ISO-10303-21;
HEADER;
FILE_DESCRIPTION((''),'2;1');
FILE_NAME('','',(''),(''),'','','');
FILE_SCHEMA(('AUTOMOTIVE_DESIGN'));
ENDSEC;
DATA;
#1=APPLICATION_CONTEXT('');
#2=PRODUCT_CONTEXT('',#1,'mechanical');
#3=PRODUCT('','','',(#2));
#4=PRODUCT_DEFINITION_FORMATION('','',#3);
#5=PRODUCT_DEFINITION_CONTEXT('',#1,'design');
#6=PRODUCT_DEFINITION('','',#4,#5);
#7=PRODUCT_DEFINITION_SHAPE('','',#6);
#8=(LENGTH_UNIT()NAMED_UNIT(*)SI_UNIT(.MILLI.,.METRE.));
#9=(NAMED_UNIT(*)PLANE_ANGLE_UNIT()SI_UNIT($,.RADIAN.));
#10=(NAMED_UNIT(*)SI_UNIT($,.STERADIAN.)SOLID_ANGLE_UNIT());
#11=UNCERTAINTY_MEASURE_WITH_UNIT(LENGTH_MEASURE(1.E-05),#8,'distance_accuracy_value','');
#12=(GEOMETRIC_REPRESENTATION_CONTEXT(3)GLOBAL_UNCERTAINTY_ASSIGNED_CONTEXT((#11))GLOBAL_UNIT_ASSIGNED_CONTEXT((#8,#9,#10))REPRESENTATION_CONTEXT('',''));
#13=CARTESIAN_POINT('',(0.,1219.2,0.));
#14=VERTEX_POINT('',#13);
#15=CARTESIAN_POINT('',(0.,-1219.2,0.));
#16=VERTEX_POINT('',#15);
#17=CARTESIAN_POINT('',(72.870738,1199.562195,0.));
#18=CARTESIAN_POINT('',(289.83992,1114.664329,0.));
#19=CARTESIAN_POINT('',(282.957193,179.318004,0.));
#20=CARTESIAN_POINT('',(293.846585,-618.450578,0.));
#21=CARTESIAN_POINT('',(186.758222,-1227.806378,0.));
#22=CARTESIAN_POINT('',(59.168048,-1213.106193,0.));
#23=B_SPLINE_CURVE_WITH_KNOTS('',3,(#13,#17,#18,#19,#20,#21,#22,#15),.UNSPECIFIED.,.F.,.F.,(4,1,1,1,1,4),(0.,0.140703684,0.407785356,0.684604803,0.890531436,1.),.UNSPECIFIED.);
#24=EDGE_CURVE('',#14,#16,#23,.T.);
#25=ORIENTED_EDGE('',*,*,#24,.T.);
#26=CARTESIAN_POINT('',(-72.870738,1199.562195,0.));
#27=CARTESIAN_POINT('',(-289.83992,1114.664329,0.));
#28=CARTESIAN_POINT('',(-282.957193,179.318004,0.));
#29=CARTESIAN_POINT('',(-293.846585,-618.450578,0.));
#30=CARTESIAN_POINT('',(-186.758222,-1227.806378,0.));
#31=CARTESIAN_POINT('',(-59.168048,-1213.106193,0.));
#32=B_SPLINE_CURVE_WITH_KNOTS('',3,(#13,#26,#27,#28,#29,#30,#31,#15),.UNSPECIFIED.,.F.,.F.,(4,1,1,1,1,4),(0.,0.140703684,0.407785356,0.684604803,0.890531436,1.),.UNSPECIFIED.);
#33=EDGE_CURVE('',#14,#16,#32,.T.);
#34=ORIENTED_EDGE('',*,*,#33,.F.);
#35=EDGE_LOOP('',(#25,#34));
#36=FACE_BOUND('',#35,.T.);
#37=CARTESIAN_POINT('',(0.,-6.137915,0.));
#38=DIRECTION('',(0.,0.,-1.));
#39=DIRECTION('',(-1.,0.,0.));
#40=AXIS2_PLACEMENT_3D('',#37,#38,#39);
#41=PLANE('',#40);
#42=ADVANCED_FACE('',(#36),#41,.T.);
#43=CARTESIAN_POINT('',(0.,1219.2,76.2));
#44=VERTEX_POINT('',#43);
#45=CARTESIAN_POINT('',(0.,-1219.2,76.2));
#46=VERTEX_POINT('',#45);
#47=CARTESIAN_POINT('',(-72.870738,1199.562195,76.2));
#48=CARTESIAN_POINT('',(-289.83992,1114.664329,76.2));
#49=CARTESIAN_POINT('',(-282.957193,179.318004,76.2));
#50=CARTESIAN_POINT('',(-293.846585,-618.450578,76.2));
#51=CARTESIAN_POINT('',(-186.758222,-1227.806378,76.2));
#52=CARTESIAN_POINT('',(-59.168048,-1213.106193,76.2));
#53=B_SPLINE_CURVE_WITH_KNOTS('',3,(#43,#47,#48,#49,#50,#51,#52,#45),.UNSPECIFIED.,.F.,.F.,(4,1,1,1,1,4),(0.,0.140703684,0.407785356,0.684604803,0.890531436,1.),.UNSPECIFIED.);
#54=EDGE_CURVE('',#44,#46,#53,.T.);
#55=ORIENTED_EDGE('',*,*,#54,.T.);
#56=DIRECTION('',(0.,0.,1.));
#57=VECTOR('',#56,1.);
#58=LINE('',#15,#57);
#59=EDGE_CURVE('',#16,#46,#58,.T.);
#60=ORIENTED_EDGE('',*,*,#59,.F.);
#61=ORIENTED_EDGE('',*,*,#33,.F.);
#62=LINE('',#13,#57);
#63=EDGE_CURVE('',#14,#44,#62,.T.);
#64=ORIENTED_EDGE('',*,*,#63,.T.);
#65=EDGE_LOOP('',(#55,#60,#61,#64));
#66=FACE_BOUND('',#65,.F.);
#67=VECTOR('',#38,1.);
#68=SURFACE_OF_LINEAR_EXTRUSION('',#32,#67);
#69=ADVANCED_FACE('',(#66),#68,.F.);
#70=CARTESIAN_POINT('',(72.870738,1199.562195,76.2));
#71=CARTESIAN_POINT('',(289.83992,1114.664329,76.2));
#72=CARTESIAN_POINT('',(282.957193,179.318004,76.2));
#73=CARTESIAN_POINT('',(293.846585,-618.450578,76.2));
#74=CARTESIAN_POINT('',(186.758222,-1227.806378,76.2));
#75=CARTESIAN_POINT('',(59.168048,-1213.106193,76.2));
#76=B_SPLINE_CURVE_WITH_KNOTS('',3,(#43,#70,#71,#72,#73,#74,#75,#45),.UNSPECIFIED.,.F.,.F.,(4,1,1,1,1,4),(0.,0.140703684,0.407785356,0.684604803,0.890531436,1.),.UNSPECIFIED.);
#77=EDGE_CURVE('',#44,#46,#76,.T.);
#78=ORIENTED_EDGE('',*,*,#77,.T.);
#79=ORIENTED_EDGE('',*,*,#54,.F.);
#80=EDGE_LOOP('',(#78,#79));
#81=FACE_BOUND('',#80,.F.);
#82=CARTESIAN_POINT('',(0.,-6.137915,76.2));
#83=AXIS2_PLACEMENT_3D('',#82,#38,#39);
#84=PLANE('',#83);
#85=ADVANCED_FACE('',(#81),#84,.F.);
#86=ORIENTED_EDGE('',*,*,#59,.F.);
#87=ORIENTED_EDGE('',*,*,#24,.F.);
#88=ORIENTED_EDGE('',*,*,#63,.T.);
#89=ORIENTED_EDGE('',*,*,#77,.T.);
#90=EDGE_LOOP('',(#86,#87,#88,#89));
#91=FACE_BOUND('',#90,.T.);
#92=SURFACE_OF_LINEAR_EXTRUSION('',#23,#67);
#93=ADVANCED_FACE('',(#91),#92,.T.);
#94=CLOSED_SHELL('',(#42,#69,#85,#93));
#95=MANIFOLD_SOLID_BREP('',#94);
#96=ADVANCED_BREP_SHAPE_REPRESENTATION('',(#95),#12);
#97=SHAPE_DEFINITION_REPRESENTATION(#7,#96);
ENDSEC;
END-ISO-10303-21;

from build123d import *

# Parameters (mm, degrees)
F1_DEPTH = 76.2


with BuildPart() as f1:
    # F0 (on Top) → F1 (new body)
    with BuildSketch(Plane.XY):
        with BuildLine():
            add(Edge.make_bspline(
                [(0, 1219.2), (72.8707380521, 1199.5621951725), (289.8399203557, 1114.6643286049), (282.9571928177, 179.3180044201), (293.8465848779, -618.4505783151), (186.758222297, -1227.8063780003), (59.1680483197, -1213.1061934731), (0, -1219.2)],
                knots=[0, 0, 0, 0, 0.1407036843, 0.4077853565, 0.6846048032, 0.8905314359, 1, 1, 1, 1], degree=3))
            add(Edge.make_bspline(
                [(0, 1219.2), (-72.8707380521, 1199.5621951725), (-289.8399203557, 1114.6643286049), (-282.9571928177, 179.3180044201), (-293.8465848779, -618.4505783151), (-186.758222297, -1227.8063780003), (-59.1680483197, -1213.1061934731), (0, -1219.2)],
                knots=[0, 0, 0, 0, 0.1407036843, 0.4077853565, 0.6846048032, 0.8905314359, 1, 1, 1, 1], degree=3))
        make_face()
    extrude(amount=F1_DEPTH)


solid = f1.part
